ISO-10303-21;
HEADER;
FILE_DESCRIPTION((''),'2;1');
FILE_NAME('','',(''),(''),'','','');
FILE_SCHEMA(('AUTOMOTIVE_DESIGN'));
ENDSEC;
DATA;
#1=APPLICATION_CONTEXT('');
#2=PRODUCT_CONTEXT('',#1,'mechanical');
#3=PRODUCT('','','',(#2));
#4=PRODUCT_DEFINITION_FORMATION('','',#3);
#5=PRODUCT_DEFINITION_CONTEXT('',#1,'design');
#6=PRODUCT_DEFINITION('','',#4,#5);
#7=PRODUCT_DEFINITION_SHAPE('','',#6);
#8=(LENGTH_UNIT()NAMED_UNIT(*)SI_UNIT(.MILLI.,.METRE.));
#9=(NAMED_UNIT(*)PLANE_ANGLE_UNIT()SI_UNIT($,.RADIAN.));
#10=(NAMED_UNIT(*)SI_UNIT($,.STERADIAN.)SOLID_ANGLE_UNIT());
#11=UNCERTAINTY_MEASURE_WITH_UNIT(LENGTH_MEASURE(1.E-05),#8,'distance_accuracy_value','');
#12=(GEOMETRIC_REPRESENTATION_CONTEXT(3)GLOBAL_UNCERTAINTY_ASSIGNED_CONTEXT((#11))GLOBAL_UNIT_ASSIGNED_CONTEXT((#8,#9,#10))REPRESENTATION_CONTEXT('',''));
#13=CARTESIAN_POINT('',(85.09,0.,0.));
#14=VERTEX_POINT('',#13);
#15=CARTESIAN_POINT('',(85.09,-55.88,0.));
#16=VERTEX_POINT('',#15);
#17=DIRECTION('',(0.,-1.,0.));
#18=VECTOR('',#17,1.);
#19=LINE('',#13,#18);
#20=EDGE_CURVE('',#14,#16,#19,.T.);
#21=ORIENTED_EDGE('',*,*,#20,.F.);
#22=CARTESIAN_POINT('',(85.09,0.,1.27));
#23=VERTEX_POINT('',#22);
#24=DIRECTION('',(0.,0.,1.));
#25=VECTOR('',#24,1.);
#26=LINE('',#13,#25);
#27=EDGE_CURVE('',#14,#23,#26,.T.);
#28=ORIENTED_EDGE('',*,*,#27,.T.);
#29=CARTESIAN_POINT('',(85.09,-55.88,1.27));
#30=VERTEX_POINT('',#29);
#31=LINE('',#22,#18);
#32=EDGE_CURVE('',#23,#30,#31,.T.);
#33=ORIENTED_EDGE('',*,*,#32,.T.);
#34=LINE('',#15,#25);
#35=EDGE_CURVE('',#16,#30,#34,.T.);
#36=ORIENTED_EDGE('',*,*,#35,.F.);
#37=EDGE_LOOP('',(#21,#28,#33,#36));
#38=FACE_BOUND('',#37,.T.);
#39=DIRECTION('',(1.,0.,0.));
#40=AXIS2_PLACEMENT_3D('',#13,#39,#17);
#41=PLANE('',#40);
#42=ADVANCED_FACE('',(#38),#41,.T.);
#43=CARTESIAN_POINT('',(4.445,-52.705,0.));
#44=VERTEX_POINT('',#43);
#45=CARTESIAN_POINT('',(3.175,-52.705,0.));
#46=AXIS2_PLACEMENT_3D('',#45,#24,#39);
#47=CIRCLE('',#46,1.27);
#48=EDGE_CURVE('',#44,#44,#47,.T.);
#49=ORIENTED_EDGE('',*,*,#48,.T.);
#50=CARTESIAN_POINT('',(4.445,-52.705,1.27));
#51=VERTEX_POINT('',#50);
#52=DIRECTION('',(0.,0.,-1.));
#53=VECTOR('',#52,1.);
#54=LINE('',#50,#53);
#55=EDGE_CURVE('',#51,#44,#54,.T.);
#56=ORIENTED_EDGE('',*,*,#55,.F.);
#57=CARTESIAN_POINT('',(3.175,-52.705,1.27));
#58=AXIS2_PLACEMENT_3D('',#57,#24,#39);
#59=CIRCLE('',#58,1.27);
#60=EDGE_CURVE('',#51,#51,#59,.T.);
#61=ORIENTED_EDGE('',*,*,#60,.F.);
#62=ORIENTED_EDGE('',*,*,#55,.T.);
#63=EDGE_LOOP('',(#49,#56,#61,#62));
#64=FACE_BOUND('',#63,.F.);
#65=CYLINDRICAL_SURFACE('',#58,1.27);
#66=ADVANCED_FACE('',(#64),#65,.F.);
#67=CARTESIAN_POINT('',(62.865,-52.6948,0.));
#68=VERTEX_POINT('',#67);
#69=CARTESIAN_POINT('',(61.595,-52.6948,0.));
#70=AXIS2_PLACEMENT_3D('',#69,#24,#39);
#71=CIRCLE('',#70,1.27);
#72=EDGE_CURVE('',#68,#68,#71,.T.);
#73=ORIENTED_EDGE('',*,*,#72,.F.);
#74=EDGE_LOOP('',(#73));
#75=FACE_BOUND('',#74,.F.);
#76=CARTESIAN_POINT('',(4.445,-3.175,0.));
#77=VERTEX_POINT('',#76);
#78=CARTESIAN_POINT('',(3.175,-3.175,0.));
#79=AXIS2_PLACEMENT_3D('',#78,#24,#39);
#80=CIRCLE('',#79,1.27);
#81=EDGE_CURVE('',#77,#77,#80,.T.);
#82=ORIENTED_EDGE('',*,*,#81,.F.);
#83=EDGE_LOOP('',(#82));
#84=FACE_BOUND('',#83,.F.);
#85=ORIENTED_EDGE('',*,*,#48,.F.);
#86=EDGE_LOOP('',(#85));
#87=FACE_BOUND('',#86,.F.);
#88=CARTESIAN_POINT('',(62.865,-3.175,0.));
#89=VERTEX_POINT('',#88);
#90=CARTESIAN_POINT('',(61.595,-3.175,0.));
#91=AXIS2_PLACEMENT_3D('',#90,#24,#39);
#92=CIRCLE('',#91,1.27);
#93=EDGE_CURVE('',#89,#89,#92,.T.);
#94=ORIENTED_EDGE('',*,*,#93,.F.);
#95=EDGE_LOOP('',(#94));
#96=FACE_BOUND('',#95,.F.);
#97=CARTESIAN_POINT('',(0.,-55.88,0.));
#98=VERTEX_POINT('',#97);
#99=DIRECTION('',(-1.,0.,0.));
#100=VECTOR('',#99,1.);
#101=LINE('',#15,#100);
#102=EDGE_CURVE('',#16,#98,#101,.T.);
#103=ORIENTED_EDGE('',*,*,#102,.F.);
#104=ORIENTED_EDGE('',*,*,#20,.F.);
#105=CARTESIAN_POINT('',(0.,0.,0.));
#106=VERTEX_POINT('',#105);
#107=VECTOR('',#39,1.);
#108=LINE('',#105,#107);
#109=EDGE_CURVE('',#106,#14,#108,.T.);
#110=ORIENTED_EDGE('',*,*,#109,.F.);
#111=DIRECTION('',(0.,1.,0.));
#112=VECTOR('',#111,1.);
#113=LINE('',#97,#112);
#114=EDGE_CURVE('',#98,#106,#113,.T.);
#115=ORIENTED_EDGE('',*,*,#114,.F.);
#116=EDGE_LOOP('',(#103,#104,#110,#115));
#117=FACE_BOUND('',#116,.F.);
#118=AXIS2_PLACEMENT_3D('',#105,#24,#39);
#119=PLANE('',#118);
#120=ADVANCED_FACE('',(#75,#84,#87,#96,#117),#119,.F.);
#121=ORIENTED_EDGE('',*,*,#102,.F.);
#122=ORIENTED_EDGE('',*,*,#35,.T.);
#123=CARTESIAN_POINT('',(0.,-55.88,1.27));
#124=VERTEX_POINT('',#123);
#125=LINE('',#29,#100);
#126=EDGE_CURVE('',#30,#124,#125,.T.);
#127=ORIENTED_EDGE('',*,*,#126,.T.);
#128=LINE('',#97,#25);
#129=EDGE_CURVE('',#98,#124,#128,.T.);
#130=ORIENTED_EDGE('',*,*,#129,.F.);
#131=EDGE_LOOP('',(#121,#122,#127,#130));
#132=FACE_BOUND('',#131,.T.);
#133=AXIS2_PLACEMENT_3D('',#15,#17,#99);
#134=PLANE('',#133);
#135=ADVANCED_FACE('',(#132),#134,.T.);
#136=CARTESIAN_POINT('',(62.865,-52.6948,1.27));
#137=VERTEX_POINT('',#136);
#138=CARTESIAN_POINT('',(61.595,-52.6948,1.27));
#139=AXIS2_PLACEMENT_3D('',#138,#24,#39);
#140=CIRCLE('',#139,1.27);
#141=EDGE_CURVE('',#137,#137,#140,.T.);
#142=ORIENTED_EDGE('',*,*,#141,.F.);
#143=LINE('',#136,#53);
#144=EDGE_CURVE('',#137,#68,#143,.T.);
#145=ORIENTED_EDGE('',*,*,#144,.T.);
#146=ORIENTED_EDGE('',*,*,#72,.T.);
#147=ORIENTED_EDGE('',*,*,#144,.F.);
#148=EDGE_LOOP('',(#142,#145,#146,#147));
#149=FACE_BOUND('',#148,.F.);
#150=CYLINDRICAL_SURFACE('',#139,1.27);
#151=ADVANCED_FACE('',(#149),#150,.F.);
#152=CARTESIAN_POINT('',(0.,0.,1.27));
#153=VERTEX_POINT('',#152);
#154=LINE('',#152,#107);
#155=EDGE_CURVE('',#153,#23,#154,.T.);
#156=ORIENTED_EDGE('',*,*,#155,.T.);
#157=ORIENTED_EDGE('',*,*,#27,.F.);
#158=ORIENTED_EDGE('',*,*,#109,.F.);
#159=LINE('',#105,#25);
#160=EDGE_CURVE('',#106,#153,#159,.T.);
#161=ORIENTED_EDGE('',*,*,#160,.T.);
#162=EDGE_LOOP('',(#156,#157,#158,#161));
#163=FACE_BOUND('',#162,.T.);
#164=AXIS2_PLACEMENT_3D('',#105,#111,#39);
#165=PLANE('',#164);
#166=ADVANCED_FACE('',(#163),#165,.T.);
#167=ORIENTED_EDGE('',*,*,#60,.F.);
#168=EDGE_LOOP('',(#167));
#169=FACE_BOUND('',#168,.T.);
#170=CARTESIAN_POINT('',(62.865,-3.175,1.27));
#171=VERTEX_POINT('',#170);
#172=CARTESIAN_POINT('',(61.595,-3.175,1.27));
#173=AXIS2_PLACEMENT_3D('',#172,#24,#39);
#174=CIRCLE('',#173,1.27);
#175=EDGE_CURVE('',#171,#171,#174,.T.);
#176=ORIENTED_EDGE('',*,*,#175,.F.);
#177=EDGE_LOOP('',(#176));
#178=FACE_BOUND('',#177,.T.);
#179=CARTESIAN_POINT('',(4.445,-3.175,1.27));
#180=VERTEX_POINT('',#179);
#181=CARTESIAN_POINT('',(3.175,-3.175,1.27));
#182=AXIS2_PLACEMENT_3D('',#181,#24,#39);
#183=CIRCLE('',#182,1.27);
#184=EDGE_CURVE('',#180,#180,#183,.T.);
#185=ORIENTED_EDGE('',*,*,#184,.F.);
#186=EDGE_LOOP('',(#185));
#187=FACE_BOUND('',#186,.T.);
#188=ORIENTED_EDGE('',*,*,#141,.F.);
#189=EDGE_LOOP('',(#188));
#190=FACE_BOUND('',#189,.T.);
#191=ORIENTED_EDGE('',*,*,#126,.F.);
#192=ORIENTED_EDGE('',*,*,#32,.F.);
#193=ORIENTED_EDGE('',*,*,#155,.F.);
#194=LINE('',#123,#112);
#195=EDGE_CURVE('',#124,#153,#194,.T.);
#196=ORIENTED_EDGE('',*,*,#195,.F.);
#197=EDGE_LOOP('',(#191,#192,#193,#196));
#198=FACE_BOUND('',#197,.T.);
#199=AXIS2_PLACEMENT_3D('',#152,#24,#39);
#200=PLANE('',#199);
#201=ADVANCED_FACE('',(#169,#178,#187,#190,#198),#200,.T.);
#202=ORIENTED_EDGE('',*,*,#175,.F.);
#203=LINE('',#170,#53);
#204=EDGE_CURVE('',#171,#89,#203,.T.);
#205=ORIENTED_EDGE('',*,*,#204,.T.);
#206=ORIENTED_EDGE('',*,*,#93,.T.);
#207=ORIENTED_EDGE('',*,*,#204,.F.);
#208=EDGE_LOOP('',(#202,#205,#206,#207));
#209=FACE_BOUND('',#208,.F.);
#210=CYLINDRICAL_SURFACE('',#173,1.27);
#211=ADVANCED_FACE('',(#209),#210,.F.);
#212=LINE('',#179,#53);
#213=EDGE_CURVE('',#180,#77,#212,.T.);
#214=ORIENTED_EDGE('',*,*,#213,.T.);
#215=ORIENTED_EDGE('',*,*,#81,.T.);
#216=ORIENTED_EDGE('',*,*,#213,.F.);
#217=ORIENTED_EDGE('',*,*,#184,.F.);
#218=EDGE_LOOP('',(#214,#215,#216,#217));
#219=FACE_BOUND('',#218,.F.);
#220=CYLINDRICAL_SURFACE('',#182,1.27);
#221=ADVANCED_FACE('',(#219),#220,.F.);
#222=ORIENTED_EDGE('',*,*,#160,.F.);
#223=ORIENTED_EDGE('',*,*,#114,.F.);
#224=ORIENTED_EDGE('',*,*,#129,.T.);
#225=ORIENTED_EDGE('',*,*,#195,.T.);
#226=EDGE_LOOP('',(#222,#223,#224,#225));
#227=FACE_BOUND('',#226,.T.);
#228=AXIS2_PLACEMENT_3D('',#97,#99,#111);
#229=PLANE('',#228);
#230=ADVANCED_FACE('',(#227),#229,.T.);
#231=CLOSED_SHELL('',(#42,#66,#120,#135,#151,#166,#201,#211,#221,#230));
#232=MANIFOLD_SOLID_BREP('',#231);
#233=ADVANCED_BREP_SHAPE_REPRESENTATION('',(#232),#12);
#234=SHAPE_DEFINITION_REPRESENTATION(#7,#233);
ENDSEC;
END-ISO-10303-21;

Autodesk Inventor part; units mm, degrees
ref_plane "YZ Plane" through (0, 0, 0) normal (1, 0, 0) x (0, 1, 0)
ref_plane "XZ Plane" through (0, 0, 0) normal (0, 1, 0) x (-1, 0, 0)
ref_plane "XY Plane" through (0, 0, 0) normal (0, 0, 1) x (1, 0, 0)
sketch "Sketch1" plane through (0, 0, 0) normal (0, 0, 1) x (1, 0, 0)
  line L0 (0, 0) -> (85.09, 0)
  line L1 (85.09, 0) -> (85.09, -55.88)
  line L2 (85.09, -55.88) -> (0, -55.88)
  line L3 (0, -55.88) -> (0, 0)
  dimension "d0" = 85.09
  dimension "d1" = 55.88
extrude "Extrusion1" add sketch "Sketch1" along normal blind 1.27
sketch "Sketch2" plane through (0, 0, 1.27) normal (0, 0, 1) x (1, 0, 0)
  circle A0 centre (3.175, -3.175) radius 1.27
  circle A1 centre (3.175, -52.705) radius 1.27
  circle A2 centre (61.595, -52.6948) radius 1.27
  circle A3 centre (61.595, -3.175) radius 1.27
  line L0 (85.09, 0) -> (0, 0) projected
  line L1 (0, 0) -> (0, -55.88) projected
  line L2 (0, -55.88) -> (85.09, -55.88) projected
  line L3 (85.09, -55.88) -> (85.09, 0) projected
  dimension "d4" = 2.54
  dimension "d5" = 2.54
  dimension "d6" = 2.54
  dimension "d7" = 2.54
  dimension "d8" = 3.175
  dimension "d9" = 3.175
  dimension "d10" = 3.175
  dimension "d11" = 3.175
  dimension "d12" = 3.1852
  dimension "d13" = 3.175
  dimension "d14" = 23.495
  dimension "d15" = 23.495
extrude "Extrusion2" cut sketch "Sketch2" against normal blind 1.27 contours A0 | A1 | A2 | A3
properties part number "PiBoard" material "Thermoplastic Resin"
